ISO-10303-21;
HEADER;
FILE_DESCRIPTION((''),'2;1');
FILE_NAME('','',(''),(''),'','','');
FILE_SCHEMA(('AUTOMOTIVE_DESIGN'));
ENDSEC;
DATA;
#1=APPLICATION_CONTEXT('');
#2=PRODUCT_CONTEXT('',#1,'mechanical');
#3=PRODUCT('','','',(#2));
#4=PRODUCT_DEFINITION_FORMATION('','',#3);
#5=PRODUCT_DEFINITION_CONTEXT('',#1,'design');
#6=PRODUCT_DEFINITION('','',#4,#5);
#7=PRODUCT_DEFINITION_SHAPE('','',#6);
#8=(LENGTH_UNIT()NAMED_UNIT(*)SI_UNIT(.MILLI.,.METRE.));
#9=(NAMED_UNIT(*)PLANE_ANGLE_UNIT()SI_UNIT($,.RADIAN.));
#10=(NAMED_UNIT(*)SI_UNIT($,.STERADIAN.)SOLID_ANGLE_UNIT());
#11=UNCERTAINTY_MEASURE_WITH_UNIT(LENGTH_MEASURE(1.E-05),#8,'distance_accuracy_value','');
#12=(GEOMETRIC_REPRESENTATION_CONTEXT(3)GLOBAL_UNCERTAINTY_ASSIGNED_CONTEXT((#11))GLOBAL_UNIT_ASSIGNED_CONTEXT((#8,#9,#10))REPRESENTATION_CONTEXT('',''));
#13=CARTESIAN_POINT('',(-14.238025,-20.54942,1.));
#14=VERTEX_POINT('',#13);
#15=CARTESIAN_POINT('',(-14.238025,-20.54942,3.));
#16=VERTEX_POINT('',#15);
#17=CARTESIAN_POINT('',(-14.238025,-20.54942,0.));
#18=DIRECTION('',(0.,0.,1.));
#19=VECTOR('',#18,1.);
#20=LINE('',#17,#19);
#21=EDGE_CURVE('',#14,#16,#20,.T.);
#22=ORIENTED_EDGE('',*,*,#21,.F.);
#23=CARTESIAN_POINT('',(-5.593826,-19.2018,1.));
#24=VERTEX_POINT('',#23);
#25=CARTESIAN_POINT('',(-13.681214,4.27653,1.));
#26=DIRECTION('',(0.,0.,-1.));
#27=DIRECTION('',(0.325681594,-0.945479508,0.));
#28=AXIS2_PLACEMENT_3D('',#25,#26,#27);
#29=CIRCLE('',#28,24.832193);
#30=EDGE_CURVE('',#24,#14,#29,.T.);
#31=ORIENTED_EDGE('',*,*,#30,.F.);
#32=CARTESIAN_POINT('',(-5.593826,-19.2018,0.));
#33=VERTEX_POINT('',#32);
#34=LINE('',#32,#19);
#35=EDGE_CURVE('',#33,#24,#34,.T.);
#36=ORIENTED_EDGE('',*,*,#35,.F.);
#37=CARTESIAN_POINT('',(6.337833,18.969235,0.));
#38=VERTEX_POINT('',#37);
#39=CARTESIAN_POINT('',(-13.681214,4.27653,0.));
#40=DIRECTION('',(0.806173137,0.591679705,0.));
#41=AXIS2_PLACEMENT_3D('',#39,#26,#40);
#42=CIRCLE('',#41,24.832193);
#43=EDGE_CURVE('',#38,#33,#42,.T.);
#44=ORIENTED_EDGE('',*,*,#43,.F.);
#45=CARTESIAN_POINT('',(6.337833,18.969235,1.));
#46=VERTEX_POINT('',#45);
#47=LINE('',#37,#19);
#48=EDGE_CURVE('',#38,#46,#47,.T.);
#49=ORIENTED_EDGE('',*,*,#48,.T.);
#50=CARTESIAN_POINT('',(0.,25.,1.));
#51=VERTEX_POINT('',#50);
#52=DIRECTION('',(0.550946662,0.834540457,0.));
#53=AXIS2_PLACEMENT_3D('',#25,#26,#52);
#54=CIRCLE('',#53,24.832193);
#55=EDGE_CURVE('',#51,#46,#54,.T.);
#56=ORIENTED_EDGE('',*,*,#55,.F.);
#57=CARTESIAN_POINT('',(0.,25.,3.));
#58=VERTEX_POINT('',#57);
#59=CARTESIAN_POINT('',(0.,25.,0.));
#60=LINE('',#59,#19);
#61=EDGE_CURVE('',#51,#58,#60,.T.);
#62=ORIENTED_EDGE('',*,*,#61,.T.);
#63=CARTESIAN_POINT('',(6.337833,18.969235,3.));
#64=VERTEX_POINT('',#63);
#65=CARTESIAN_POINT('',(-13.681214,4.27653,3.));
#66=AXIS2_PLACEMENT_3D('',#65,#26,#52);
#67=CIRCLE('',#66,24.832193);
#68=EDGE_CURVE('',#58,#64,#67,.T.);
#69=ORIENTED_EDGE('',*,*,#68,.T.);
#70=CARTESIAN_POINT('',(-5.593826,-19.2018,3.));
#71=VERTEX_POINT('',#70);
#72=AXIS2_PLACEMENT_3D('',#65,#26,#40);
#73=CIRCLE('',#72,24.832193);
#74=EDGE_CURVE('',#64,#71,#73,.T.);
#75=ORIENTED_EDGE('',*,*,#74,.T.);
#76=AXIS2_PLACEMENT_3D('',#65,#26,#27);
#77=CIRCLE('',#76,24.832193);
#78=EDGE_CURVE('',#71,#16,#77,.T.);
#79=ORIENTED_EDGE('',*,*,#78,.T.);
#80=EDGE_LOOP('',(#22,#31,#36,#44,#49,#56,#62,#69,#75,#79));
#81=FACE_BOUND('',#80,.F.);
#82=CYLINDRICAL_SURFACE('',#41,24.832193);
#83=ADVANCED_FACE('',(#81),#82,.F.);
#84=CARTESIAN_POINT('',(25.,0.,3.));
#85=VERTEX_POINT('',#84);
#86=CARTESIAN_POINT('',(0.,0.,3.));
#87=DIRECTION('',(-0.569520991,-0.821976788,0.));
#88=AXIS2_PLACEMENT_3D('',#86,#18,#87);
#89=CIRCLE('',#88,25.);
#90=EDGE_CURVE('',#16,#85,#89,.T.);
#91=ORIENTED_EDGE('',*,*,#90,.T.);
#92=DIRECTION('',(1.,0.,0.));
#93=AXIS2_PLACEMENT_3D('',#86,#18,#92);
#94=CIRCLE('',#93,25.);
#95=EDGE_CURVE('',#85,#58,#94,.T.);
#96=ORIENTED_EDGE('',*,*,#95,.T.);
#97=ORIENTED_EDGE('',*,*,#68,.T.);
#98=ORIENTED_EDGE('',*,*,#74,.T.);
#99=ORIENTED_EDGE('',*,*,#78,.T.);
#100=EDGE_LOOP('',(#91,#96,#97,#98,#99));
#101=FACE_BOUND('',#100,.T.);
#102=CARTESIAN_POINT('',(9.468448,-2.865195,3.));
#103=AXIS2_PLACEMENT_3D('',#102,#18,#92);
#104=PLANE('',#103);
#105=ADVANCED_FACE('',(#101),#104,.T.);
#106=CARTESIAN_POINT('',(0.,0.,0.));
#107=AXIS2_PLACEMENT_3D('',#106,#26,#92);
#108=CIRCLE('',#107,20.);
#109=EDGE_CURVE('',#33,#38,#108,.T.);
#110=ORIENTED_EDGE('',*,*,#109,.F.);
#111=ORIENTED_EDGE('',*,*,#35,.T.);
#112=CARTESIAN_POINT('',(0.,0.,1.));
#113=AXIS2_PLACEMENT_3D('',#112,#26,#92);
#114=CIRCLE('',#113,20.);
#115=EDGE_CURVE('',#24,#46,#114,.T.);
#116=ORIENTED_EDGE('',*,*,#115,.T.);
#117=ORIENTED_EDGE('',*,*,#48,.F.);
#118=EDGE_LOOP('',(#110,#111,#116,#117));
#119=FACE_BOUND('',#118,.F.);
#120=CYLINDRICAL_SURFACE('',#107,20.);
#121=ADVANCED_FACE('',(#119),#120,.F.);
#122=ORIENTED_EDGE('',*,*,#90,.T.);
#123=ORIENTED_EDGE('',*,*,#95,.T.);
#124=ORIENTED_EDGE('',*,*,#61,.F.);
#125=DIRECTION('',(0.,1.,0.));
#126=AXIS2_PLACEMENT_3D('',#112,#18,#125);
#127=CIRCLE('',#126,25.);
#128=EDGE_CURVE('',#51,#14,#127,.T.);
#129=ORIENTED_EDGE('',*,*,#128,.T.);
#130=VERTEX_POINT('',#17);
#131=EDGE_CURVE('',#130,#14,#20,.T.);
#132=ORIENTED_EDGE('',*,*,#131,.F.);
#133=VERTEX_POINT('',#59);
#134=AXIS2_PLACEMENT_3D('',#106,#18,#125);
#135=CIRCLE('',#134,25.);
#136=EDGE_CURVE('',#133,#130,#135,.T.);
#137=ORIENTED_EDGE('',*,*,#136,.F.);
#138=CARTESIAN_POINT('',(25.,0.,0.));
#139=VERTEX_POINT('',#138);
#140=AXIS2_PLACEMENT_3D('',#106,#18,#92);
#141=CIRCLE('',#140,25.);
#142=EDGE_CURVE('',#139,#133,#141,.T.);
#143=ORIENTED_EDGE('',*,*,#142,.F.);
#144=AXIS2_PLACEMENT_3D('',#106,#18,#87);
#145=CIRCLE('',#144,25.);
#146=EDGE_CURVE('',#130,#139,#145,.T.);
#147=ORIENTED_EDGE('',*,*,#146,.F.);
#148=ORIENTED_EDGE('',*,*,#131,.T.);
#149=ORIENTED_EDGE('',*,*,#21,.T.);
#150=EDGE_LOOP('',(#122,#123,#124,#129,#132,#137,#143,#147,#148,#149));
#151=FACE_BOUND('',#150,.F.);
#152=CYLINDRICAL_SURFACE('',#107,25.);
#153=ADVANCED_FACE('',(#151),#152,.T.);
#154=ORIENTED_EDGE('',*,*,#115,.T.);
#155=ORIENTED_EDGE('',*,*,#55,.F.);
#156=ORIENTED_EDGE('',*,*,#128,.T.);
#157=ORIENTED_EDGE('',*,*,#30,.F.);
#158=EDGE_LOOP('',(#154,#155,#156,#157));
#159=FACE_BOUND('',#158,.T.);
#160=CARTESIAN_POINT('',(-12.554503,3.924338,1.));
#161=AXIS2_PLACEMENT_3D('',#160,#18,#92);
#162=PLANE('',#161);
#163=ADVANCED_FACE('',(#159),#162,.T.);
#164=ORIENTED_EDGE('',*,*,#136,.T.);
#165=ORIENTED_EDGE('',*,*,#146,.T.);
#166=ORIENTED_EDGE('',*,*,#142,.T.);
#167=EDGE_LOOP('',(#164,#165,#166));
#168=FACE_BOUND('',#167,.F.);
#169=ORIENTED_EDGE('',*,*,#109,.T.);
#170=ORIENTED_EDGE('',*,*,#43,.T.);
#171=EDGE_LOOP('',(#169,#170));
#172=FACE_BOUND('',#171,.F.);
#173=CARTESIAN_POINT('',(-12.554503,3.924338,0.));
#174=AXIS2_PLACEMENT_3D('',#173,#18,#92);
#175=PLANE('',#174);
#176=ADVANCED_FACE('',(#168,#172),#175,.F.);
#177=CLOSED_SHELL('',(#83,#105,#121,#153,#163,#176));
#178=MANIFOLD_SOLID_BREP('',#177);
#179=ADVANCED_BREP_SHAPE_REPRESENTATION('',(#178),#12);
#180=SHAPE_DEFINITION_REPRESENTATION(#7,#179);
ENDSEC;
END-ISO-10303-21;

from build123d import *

# Parameters (mm, degrees)
F1_DEPTH = 1
F2_DEPTH = 3


with BuildPart() as f1:
    # F0 (on Top) → F1 (new body)
    with BuildSketch(Plane.XY):
        with BuildLine():
            ThreePointArc((6.3378331383, 18.9692348583), (3.4365963813, 22.2659266734), (0, 25))
            ThreePointArc((0, 25), (-23.8614280025, 7.4587032171), (-14.2380247846, -20.5494197055))
            ThreePointArc((-14.2380247846, -20.5494197055), (-9.8561101772, -20.2592886718), (-5.593825715, -19.201799756))
            ThreePointArc((-5.593825715, -19.201799756), (-19.089142402, 5.9669625737), (6.3378331383, 18.9692348583))
        make_face()
        with BuildLine():
            ThreePointArc((-14.2380247846, -20.5494197055), (11.5984779257, -22.1466771731), (25, 0))
            ThreePointArc((25, 0), (17.6776695297, 17.6776695297), (0, 25))
            ThreePointArc((0, 25), (3.4365963813, 22.2659266734), (6.3378331383, 18.9692348583))
            ThreePointArc((6.3378331383, 18.9692348583), (16.2289350046, 11.6885272219), (20, 0))
            ThreePointArc((20, 0), (12.002572343, -15.9980704196), (-5.593825715, -19.201799756))
            ThreePointArc((-5.593825715, -19.201799756), (-9.8561101772, -20.2592886718), (-14.2380247846, -20.5494197055))
        make_face()
        with BuildLine():
            ThreePointArc((20, 0), (16.2289350046, 11.6885272219), (6.3378331383, 18.9692348583))
            ThreePointArc((6.3378331383, 18.9692348583), (10.0200496601, -3.1321082974), (-5.593825715, -19.201799756))
            ThreePointArc((-5.593825715, -19.201799756), (12.002572343, -15.9980704196), (20, 0))
        make_face()
    extrude(amount=F1_DEPTH)

    # F0 (on Top) → F2 (join)
    with BuildSketch(Plane.XY):
        with BuildLine():
            ThreePointArc((20, 0), (16.2289350046, 11.6885272219), (6.3378331383, 18.9692348583))
            ThreePointArc((6.3378331383, 18.9692348583), (10.0200496601, -3.1321082974), (-5.593825715, -19.201799756))
            ThreePointArc((-5.593825715, -19.201799756), (12.002572343, -15.9980704196), (20, 0))
        make_face()
        with BuildLine():
            ThreePointArc((-14.2380247846, -20.5494197055), (11.5984779257, -22.1466771731), (25, 0))
            ThreePointArc((25, 0), (17.6776695297, 17.6776695297), (0, 25))
            ThreePointArc((0, 25), (3.4365963813, 22.2659266734), (6.3378331383, 18.9692348583))
            ThreePointArc((6.3378331383, 18.9692348583), (16.2289350046, 11.6885272219), (20, 0))
            ThreePointArc((20, 0), (12.002572343, -15.9980704196), (-5.593825715, -19.201799756))
            ThreePointArc((-5.593825715, -19.201799756), (-9.8561101772, -20.2592886718), (-14.2380247846, -20.5494197055))
        make_face()
    extrude(amount=F2_DEPTH)


solid = f1.part
